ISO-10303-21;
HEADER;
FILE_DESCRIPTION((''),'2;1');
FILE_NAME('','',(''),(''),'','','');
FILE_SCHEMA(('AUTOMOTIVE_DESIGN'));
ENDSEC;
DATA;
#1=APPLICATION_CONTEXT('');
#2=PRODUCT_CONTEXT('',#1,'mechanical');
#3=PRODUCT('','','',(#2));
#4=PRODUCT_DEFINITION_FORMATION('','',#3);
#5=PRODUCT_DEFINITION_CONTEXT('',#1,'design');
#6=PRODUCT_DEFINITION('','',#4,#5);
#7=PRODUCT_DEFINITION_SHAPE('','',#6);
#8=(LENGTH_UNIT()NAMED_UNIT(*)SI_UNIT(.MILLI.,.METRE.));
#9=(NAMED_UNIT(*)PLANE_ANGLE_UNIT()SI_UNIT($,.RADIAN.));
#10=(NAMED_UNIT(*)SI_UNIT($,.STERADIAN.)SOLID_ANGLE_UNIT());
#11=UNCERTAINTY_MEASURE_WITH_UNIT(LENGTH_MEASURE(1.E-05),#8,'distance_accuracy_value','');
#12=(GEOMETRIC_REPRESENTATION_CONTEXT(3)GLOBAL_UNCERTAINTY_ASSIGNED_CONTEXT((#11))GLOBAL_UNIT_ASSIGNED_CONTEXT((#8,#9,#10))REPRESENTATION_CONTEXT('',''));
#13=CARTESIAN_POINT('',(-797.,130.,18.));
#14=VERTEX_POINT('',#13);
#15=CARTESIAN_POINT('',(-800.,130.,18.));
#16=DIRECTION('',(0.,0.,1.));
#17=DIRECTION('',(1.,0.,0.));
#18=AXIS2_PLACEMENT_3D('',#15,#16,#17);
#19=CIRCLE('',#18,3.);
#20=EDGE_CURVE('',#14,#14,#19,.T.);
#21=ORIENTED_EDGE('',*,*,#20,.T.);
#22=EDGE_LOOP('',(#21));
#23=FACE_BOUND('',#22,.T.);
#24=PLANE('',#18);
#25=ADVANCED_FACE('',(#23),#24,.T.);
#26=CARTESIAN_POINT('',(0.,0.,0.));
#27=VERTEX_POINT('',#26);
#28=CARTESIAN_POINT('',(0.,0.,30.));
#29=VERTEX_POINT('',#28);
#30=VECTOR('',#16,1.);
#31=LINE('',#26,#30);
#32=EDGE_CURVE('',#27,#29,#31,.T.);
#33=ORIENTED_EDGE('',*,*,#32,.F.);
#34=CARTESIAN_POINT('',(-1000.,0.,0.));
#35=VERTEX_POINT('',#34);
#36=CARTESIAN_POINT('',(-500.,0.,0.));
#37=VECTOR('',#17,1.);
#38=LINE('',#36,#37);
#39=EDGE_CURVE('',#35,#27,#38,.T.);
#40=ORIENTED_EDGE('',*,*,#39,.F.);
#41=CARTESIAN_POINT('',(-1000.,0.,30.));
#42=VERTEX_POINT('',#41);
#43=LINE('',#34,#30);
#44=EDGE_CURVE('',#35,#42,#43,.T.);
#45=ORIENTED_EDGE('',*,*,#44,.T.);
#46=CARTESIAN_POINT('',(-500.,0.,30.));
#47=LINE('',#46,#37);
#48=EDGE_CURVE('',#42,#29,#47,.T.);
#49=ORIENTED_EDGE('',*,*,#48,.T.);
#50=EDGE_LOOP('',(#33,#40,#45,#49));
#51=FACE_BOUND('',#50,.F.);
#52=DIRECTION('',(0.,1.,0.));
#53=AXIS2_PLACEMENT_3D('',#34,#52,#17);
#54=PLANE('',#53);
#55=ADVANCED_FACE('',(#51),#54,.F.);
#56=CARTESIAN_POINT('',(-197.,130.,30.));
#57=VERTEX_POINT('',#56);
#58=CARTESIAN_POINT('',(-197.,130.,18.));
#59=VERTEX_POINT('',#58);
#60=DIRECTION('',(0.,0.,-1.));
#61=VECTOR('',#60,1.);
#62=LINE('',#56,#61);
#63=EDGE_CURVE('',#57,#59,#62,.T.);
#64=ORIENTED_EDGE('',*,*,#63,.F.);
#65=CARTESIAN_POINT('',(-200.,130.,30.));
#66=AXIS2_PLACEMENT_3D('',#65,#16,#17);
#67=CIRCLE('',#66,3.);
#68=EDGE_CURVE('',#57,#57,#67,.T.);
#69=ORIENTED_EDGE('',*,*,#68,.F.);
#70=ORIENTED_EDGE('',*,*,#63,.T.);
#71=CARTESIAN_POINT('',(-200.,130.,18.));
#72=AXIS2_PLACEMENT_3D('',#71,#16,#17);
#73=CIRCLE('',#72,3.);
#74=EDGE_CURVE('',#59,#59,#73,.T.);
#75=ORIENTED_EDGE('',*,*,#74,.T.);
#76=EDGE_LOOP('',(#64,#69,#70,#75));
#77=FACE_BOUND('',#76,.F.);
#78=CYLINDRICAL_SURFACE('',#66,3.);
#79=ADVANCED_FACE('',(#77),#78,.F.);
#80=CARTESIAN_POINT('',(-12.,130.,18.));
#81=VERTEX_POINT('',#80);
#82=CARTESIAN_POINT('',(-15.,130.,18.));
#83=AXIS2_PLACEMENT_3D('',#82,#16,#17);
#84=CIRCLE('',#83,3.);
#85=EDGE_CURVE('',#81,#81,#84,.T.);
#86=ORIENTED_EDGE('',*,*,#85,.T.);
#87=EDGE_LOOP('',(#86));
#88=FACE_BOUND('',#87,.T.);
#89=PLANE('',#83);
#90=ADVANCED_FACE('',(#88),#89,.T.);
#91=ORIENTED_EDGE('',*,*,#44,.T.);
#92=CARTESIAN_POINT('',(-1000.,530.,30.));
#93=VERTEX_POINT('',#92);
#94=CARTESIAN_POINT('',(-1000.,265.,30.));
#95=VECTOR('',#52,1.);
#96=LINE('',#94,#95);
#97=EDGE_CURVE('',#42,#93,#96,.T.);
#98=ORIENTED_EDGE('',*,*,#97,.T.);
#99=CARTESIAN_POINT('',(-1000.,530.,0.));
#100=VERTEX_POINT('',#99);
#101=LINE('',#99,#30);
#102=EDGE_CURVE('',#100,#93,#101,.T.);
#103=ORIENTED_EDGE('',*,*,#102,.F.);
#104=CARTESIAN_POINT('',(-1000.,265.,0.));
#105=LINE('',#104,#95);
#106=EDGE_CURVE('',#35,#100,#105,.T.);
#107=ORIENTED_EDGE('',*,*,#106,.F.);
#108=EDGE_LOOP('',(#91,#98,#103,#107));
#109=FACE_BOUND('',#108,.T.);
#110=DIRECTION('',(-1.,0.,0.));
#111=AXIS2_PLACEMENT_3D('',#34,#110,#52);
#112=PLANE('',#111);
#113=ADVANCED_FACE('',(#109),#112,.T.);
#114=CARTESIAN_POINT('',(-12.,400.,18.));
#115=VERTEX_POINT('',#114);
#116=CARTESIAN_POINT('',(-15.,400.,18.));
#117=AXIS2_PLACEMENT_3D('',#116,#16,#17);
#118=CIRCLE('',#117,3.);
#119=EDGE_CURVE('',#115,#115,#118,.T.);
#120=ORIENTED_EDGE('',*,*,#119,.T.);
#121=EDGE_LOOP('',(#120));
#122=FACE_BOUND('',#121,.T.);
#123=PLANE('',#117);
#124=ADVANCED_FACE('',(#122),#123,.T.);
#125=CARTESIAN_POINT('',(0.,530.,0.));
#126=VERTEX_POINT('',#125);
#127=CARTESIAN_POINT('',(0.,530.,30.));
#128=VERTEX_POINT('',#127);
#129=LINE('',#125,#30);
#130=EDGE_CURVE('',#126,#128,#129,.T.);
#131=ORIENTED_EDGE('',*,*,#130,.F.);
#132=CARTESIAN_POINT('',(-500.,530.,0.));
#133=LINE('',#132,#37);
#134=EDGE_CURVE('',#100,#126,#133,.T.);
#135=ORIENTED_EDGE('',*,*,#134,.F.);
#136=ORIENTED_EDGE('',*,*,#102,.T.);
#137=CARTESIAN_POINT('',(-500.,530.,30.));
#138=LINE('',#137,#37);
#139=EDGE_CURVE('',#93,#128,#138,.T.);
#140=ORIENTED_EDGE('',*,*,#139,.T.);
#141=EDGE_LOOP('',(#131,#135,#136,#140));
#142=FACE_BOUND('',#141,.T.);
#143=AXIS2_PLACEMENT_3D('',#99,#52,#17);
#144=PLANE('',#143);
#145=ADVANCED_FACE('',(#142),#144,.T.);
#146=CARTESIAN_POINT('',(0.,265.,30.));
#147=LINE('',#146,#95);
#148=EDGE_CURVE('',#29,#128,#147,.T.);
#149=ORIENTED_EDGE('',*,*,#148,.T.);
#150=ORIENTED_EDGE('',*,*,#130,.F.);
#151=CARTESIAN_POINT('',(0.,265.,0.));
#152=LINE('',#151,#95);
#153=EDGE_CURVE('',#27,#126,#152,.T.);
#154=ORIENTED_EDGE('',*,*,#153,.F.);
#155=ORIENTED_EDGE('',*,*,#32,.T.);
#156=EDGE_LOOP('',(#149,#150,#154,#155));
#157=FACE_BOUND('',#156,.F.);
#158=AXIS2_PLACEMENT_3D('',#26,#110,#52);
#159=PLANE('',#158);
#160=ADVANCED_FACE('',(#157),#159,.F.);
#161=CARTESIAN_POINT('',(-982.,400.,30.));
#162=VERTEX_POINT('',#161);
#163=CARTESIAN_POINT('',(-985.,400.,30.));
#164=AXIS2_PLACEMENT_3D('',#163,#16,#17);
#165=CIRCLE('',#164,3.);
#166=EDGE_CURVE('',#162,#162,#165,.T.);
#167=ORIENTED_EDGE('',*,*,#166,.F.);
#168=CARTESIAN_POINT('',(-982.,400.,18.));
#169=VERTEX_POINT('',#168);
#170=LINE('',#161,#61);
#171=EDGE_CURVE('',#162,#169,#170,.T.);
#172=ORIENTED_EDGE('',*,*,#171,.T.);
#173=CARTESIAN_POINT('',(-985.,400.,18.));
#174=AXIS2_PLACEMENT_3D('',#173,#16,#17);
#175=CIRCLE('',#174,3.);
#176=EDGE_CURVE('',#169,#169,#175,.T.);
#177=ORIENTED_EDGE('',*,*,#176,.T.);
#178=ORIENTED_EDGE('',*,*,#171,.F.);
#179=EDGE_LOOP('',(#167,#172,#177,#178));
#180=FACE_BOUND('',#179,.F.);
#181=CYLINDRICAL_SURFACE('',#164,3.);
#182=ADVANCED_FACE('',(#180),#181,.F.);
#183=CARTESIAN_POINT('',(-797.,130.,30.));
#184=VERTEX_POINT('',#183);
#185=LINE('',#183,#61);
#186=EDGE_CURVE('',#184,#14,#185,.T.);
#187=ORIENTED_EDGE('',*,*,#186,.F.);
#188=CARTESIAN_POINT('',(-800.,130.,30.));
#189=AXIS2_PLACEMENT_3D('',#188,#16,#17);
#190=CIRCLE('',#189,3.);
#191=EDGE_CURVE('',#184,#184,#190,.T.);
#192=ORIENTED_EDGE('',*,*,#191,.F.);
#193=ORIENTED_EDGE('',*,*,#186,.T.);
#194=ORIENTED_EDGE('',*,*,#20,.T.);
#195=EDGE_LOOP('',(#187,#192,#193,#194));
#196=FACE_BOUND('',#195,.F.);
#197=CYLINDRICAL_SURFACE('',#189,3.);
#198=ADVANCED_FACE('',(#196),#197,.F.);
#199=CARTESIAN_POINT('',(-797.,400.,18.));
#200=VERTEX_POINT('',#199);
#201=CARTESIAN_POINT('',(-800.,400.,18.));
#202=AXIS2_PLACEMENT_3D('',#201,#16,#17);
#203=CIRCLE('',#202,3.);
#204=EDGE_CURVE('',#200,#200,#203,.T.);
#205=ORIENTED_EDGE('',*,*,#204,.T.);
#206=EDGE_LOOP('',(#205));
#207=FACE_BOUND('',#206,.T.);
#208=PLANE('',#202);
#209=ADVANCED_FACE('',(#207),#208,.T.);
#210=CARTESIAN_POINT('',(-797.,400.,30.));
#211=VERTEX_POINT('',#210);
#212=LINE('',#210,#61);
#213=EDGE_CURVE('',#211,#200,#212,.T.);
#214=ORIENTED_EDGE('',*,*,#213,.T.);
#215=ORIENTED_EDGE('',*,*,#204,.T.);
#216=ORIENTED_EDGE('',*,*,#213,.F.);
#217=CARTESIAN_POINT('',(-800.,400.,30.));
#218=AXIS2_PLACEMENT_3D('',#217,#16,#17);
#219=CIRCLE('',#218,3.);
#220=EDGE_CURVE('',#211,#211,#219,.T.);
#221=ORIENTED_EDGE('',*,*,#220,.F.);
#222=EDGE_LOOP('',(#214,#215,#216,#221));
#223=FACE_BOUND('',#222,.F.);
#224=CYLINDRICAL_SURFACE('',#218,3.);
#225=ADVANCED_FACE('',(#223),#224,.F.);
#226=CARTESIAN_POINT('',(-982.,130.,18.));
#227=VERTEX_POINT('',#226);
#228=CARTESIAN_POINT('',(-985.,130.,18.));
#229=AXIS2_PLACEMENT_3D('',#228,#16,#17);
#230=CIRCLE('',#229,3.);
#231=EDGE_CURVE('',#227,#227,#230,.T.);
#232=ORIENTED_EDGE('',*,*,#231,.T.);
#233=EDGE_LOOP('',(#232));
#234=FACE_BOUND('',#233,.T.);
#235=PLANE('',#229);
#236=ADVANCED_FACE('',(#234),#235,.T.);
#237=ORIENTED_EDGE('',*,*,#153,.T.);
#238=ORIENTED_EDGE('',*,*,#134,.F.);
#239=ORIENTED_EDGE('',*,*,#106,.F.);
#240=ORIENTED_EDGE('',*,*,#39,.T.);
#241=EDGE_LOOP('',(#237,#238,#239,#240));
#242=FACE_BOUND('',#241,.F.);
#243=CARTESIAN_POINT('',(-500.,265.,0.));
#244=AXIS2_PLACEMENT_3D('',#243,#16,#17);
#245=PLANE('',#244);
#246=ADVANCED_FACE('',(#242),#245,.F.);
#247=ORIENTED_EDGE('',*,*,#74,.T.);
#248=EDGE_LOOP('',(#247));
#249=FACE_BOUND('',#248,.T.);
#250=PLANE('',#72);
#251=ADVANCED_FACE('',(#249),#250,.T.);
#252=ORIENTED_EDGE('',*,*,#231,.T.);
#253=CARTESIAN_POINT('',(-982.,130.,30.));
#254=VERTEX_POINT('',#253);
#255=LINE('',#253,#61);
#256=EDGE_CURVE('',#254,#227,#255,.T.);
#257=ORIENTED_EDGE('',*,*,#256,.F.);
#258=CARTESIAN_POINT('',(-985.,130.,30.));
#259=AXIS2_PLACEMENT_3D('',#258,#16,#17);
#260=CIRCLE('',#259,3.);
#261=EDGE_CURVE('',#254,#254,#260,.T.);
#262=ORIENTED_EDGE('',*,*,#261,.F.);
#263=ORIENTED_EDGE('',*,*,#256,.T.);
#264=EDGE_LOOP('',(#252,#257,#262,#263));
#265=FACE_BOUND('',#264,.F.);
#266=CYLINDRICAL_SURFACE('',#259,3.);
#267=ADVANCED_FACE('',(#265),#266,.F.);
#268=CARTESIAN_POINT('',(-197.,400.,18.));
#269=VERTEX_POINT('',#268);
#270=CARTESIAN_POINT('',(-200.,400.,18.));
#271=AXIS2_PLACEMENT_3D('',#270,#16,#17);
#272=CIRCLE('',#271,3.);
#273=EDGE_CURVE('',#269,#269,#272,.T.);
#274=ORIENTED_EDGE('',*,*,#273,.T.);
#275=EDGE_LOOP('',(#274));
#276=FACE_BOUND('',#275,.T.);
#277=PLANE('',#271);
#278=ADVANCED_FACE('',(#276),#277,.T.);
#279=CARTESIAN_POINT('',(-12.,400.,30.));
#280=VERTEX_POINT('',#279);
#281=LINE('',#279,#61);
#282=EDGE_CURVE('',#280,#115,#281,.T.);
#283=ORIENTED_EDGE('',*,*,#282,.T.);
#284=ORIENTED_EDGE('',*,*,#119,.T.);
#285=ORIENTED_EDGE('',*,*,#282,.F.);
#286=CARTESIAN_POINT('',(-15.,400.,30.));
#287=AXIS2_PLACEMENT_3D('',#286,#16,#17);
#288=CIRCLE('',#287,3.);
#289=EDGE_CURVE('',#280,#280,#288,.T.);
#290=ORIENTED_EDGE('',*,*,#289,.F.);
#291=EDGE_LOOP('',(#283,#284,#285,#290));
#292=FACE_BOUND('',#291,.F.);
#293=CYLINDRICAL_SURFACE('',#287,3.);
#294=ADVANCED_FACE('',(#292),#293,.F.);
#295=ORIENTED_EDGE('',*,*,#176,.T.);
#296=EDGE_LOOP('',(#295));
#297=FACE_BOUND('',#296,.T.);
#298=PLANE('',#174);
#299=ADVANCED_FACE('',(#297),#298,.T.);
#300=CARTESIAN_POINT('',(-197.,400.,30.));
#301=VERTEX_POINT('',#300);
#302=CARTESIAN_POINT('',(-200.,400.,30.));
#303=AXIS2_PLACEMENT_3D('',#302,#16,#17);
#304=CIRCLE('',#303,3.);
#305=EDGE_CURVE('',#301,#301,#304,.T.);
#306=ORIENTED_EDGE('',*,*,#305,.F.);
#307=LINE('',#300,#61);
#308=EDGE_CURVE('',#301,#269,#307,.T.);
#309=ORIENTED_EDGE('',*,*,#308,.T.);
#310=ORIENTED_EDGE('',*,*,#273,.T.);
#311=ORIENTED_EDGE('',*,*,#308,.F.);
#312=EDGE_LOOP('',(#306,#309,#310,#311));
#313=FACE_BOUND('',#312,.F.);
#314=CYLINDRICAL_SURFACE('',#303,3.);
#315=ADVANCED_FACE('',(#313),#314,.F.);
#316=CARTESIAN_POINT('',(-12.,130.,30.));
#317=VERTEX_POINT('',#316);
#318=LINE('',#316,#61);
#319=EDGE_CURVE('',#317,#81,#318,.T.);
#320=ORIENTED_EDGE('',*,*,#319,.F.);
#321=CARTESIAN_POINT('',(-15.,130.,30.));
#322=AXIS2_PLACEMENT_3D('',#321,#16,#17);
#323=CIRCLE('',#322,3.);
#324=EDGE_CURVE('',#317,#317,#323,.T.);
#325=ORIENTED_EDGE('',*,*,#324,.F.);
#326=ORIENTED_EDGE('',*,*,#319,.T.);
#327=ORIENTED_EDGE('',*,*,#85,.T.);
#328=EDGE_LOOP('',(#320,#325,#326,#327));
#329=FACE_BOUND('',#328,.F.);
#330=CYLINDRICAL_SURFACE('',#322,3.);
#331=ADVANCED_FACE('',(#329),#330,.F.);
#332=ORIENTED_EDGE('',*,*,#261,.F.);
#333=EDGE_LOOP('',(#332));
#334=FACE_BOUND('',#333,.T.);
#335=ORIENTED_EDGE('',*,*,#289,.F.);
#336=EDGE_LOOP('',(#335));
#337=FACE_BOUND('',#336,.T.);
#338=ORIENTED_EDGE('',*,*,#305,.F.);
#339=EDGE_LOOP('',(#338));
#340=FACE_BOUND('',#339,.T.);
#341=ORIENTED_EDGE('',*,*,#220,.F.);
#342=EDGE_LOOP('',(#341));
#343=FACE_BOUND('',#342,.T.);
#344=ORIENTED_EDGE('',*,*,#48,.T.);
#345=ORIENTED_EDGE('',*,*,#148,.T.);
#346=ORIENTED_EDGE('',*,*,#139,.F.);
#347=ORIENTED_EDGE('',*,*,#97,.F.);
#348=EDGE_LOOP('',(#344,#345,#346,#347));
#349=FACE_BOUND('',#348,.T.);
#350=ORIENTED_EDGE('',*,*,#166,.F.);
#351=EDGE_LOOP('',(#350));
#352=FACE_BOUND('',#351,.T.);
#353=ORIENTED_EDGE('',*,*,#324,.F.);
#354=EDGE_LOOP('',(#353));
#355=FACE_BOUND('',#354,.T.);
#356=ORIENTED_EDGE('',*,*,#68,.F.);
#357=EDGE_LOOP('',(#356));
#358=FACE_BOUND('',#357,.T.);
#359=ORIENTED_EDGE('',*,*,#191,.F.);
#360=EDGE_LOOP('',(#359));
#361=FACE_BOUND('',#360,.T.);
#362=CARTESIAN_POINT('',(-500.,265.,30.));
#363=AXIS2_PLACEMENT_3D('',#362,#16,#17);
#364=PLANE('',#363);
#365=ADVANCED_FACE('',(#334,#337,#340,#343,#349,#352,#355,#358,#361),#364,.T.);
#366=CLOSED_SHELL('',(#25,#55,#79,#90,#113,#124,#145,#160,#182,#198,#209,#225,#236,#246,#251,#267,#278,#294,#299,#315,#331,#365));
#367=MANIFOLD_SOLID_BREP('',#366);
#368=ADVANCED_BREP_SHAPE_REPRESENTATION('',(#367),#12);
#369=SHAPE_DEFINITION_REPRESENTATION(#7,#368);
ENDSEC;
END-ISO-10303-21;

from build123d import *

# Parameters (mm, degrees)
F0_W      = 1000
F0_H      = 530
F1_DEPTH  = 30
F2_R      = 3
F3_DEPTH  = 12
F4_R      = 3
F5_DEPTH  = 12
F6_R      = 3
F7_DEPTH  = 12
F9_R      = 3
F8_R      = 3
F10_DEPTH = 12
F11_R     = 3
F12_DEPTH = 12


with BuildPart() as f1:
    # F0 (on Top) → F1 (new body)
    with BuildSketch(Plane.XY):
        with Locations((-500, 265)):
            Rectangle(F0_W, F0_H)
    extrude(amount=F1_DEPTH)

    # F2 (on face) → F3 (cut)
    with BuildSketch(Plane.XY.offset(30)):
        with Locations((-200, 130)):
            Circle(F2_R)
    extrude(amount=-F3_DEPTH, mode=Mode.SUBTRACT)

    # F4 (on face) → F5 (cut)
    with BuildSketch(Plane.XY.offset(30)):
        with Locations((-800, 130)):
            Circle(F4_R)
    extrude(amount=-F5_DEPTH, mode=Mode.SUBTRACT)

    # F6 (on face) → F7 (cut)
    with BuildSketch(Plane.XY.offset(30)):
        with Locations((-200, 400)):
            Circle(F6_R)
        with Locations((-800, 400)):
            Circle(F6_R)
    extrude(amount=-F7_DEPTH, mode=Mode.SUBTRACT)

    # F9 (on face) + F8 (on face) → F10 (cut)
    with BuildSketch(Plane.XY.offset(30)):
        with Locations((-985, 130)):
            Circle(F9_R)
    with BuildSketch(Plane.XY.offset(30)):
        with Locations((-985, 400)):
            Circle(F8_R)
    extrude(amount=-F10_DEPTH, mode=Mode.SUBTRACT)

    # F11 (on face) → F12 (cut)
    with BuildSketch(Plane.XY.offset(30)):
        with Locations((-15, 400)):
            Circle(F11_R)
        with Locations((-15, 130)):
            Circle(F11_R)
    extrude(amount=-F12_DEPTH, mode=Mode.SUBTRACT)


solid = f1.part
